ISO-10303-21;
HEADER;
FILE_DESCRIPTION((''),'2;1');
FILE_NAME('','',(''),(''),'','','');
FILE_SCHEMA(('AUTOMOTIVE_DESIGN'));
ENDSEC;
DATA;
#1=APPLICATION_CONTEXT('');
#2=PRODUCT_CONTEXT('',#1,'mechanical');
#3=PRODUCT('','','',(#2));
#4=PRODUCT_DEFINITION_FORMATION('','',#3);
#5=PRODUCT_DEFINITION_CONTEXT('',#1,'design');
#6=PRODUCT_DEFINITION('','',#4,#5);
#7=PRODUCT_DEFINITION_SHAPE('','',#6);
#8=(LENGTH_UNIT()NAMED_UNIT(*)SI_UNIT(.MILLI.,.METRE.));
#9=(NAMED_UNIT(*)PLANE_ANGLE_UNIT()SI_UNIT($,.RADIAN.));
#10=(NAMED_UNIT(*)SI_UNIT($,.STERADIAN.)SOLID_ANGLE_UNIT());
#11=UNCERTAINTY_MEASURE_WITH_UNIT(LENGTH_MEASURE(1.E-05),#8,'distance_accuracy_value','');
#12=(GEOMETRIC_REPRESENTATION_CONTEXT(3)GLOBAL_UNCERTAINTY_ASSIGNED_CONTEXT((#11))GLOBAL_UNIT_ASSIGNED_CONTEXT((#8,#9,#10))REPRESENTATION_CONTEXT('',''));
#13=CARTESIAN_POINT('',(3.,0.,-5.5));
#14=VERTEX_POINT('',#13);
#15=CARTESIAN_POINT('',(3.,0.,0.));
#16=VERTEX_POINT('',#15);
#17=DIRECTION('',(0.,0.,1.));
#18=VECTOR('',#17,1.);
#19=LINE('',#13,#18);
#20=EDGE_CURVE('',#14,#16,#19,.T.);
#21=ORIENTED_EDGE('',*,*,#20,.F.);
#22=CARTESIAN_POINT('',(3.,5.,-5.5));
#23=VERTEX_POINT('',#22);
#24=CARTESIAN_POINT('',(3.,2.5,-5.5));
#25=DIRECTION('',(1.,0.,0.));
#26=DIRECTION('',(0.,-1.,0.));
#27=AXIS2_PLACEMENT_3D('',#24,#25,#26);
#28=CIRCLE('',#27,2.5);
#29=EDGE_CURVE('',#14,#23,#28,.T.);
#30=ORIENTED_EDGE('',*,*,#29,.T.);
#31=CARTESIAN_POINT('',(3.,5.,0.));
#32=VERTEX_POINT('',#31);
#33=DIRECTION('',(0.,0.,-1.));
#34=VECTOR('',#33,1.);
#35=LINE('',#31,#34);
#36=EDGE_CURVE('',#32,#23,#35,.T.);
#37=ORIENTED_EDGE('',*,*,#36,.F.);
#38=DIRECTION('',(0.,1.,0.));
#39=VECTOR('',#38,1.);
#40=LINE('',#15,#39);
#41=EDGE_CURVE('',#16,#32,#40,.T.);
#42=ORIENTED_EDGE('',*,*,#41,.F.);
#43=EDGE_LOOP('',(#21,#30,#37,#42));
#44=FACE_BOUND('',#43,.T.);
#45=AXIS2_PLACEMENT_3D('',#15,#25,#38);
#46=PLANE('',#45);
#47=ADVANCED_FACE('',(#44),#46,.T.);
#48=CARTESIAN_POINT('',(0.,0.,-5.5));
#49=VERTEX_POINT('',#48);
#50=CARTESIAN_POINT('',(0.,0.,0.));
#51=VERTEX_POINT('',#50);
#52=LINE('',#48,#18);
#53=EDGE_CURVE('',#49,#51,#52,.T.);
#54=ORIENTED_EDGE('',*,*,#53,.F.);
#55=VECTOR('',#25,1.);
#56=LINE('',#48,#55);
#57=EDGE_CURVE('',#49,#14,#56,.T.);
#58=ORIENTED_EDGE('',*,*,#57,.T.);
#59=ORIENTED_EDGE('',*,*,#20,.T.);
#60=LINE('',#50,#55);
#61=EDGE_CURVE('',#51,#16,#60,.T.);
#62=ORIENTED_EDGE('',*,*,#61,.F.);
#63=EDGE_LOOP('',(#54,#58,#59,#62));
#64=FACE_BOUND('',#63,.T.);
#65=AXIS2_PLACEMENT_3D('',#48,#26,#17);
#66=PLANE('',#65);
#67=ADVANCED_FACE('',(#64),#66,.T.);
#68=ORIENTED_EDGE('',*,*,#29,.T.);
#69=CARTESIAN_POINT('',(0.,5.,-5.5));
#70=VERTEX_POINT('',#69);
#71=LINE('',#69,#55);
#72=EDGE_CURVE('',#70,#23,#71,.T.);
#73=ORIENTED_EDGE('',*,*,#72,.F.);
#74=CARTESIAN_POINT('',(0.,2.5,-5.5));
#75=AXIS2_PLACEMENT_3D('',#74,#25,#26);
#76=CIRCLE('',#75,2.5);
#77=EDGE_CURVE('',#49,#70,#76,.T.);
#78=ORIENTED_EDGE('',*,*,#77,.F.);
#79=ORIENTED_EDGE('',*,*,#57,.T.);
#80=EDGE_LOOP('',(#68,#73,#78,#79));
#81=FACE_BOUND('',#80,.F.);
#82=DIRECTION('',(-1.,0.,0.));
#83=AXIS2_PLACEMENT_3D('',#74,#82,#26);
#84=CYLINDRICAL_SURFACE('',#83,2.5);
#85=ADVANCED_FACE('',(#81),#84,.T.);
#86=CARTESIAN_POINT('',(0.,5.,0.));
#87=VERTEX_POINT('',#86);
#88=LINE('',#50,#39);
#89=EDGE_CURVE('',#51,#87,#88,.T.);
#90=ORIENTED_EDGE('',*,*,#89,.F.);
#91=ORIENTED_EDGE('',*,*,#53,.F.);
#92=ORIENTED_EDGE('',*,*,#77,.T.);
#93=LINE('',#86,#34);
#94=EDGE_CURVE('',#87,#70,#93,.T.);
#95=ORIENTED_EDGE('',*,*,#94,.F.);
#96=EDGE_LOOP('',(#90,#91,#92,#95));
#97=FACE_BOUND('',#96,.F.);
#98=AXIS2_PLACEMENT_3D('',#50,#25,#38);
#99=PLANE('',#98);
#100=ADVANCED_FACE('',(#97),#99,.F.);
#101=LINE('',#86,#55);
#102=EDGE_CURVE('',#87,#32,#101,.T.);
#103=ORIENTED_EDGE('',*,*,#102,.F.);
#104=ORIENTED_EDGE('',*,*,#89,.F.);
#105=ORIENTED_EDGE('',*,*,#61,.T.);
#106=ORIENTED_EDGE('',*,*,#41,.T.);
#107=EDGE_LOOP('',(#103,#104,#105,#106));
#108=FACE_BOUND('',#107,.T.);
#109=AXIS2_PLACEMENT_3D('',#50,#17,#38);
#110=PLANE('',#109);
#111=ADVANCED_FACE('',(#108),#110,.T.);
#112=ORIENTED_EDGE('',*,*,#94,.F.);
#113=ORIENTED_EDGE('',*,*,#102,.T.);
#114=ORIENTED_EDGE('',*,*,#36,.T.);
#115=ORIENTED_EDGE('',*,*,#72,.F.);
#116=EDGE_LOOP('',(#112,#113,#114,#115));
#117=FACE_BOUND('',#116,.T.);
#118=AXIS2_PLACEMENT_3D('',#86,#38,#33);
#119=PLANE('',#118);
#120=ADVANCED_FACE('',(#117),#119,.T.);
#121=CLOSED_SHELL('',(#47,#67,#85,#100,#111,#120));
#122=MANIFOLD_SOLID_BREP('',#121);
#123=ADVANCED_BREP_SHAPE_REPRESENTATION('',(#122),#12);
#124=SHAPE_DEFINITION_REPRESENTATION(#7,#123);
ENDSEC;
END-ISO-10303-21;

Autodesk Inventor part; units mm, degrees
ref_plane "YZ Plane" through (0, 0, 0) normal (1, 0, 0) x (0, 1, 0)
ref_plane "XZ Plane" through (0, 0, 0) normal (0, 1, 0) x (-1, 0, 0)
ref_plane "XY Plane" through (0, 0, 0) normal (0, 0, 1) x (1, 0, 0)
sketch "Sketch1" plane through (0, 0, 0) normal (1, 0, 0) x (0, 1, 0)
  line L0 (0, 0) -> (5, 0)
  line L1 (5, 0) -> (5, -5.5)
  line L2 (5, -5.5) -> (0, -5.5) construction
  line L3 (0, -5.5) -> (0, 0)
  arc A0 (0, -5.5) -> (5, -5.5) centre (2.5, -5.5) ccw
  arc A1 (5, -5.5) -> (0, -5.5) centre (2.5, -5.5) ccw construction
  dimension "d0" = 5
  dimension "d1" = 5.5
extrude "Extrusion1" add sketch "Sketch1" along normal blind 3
properties part number "cuña" material "PMMA Plastic"
